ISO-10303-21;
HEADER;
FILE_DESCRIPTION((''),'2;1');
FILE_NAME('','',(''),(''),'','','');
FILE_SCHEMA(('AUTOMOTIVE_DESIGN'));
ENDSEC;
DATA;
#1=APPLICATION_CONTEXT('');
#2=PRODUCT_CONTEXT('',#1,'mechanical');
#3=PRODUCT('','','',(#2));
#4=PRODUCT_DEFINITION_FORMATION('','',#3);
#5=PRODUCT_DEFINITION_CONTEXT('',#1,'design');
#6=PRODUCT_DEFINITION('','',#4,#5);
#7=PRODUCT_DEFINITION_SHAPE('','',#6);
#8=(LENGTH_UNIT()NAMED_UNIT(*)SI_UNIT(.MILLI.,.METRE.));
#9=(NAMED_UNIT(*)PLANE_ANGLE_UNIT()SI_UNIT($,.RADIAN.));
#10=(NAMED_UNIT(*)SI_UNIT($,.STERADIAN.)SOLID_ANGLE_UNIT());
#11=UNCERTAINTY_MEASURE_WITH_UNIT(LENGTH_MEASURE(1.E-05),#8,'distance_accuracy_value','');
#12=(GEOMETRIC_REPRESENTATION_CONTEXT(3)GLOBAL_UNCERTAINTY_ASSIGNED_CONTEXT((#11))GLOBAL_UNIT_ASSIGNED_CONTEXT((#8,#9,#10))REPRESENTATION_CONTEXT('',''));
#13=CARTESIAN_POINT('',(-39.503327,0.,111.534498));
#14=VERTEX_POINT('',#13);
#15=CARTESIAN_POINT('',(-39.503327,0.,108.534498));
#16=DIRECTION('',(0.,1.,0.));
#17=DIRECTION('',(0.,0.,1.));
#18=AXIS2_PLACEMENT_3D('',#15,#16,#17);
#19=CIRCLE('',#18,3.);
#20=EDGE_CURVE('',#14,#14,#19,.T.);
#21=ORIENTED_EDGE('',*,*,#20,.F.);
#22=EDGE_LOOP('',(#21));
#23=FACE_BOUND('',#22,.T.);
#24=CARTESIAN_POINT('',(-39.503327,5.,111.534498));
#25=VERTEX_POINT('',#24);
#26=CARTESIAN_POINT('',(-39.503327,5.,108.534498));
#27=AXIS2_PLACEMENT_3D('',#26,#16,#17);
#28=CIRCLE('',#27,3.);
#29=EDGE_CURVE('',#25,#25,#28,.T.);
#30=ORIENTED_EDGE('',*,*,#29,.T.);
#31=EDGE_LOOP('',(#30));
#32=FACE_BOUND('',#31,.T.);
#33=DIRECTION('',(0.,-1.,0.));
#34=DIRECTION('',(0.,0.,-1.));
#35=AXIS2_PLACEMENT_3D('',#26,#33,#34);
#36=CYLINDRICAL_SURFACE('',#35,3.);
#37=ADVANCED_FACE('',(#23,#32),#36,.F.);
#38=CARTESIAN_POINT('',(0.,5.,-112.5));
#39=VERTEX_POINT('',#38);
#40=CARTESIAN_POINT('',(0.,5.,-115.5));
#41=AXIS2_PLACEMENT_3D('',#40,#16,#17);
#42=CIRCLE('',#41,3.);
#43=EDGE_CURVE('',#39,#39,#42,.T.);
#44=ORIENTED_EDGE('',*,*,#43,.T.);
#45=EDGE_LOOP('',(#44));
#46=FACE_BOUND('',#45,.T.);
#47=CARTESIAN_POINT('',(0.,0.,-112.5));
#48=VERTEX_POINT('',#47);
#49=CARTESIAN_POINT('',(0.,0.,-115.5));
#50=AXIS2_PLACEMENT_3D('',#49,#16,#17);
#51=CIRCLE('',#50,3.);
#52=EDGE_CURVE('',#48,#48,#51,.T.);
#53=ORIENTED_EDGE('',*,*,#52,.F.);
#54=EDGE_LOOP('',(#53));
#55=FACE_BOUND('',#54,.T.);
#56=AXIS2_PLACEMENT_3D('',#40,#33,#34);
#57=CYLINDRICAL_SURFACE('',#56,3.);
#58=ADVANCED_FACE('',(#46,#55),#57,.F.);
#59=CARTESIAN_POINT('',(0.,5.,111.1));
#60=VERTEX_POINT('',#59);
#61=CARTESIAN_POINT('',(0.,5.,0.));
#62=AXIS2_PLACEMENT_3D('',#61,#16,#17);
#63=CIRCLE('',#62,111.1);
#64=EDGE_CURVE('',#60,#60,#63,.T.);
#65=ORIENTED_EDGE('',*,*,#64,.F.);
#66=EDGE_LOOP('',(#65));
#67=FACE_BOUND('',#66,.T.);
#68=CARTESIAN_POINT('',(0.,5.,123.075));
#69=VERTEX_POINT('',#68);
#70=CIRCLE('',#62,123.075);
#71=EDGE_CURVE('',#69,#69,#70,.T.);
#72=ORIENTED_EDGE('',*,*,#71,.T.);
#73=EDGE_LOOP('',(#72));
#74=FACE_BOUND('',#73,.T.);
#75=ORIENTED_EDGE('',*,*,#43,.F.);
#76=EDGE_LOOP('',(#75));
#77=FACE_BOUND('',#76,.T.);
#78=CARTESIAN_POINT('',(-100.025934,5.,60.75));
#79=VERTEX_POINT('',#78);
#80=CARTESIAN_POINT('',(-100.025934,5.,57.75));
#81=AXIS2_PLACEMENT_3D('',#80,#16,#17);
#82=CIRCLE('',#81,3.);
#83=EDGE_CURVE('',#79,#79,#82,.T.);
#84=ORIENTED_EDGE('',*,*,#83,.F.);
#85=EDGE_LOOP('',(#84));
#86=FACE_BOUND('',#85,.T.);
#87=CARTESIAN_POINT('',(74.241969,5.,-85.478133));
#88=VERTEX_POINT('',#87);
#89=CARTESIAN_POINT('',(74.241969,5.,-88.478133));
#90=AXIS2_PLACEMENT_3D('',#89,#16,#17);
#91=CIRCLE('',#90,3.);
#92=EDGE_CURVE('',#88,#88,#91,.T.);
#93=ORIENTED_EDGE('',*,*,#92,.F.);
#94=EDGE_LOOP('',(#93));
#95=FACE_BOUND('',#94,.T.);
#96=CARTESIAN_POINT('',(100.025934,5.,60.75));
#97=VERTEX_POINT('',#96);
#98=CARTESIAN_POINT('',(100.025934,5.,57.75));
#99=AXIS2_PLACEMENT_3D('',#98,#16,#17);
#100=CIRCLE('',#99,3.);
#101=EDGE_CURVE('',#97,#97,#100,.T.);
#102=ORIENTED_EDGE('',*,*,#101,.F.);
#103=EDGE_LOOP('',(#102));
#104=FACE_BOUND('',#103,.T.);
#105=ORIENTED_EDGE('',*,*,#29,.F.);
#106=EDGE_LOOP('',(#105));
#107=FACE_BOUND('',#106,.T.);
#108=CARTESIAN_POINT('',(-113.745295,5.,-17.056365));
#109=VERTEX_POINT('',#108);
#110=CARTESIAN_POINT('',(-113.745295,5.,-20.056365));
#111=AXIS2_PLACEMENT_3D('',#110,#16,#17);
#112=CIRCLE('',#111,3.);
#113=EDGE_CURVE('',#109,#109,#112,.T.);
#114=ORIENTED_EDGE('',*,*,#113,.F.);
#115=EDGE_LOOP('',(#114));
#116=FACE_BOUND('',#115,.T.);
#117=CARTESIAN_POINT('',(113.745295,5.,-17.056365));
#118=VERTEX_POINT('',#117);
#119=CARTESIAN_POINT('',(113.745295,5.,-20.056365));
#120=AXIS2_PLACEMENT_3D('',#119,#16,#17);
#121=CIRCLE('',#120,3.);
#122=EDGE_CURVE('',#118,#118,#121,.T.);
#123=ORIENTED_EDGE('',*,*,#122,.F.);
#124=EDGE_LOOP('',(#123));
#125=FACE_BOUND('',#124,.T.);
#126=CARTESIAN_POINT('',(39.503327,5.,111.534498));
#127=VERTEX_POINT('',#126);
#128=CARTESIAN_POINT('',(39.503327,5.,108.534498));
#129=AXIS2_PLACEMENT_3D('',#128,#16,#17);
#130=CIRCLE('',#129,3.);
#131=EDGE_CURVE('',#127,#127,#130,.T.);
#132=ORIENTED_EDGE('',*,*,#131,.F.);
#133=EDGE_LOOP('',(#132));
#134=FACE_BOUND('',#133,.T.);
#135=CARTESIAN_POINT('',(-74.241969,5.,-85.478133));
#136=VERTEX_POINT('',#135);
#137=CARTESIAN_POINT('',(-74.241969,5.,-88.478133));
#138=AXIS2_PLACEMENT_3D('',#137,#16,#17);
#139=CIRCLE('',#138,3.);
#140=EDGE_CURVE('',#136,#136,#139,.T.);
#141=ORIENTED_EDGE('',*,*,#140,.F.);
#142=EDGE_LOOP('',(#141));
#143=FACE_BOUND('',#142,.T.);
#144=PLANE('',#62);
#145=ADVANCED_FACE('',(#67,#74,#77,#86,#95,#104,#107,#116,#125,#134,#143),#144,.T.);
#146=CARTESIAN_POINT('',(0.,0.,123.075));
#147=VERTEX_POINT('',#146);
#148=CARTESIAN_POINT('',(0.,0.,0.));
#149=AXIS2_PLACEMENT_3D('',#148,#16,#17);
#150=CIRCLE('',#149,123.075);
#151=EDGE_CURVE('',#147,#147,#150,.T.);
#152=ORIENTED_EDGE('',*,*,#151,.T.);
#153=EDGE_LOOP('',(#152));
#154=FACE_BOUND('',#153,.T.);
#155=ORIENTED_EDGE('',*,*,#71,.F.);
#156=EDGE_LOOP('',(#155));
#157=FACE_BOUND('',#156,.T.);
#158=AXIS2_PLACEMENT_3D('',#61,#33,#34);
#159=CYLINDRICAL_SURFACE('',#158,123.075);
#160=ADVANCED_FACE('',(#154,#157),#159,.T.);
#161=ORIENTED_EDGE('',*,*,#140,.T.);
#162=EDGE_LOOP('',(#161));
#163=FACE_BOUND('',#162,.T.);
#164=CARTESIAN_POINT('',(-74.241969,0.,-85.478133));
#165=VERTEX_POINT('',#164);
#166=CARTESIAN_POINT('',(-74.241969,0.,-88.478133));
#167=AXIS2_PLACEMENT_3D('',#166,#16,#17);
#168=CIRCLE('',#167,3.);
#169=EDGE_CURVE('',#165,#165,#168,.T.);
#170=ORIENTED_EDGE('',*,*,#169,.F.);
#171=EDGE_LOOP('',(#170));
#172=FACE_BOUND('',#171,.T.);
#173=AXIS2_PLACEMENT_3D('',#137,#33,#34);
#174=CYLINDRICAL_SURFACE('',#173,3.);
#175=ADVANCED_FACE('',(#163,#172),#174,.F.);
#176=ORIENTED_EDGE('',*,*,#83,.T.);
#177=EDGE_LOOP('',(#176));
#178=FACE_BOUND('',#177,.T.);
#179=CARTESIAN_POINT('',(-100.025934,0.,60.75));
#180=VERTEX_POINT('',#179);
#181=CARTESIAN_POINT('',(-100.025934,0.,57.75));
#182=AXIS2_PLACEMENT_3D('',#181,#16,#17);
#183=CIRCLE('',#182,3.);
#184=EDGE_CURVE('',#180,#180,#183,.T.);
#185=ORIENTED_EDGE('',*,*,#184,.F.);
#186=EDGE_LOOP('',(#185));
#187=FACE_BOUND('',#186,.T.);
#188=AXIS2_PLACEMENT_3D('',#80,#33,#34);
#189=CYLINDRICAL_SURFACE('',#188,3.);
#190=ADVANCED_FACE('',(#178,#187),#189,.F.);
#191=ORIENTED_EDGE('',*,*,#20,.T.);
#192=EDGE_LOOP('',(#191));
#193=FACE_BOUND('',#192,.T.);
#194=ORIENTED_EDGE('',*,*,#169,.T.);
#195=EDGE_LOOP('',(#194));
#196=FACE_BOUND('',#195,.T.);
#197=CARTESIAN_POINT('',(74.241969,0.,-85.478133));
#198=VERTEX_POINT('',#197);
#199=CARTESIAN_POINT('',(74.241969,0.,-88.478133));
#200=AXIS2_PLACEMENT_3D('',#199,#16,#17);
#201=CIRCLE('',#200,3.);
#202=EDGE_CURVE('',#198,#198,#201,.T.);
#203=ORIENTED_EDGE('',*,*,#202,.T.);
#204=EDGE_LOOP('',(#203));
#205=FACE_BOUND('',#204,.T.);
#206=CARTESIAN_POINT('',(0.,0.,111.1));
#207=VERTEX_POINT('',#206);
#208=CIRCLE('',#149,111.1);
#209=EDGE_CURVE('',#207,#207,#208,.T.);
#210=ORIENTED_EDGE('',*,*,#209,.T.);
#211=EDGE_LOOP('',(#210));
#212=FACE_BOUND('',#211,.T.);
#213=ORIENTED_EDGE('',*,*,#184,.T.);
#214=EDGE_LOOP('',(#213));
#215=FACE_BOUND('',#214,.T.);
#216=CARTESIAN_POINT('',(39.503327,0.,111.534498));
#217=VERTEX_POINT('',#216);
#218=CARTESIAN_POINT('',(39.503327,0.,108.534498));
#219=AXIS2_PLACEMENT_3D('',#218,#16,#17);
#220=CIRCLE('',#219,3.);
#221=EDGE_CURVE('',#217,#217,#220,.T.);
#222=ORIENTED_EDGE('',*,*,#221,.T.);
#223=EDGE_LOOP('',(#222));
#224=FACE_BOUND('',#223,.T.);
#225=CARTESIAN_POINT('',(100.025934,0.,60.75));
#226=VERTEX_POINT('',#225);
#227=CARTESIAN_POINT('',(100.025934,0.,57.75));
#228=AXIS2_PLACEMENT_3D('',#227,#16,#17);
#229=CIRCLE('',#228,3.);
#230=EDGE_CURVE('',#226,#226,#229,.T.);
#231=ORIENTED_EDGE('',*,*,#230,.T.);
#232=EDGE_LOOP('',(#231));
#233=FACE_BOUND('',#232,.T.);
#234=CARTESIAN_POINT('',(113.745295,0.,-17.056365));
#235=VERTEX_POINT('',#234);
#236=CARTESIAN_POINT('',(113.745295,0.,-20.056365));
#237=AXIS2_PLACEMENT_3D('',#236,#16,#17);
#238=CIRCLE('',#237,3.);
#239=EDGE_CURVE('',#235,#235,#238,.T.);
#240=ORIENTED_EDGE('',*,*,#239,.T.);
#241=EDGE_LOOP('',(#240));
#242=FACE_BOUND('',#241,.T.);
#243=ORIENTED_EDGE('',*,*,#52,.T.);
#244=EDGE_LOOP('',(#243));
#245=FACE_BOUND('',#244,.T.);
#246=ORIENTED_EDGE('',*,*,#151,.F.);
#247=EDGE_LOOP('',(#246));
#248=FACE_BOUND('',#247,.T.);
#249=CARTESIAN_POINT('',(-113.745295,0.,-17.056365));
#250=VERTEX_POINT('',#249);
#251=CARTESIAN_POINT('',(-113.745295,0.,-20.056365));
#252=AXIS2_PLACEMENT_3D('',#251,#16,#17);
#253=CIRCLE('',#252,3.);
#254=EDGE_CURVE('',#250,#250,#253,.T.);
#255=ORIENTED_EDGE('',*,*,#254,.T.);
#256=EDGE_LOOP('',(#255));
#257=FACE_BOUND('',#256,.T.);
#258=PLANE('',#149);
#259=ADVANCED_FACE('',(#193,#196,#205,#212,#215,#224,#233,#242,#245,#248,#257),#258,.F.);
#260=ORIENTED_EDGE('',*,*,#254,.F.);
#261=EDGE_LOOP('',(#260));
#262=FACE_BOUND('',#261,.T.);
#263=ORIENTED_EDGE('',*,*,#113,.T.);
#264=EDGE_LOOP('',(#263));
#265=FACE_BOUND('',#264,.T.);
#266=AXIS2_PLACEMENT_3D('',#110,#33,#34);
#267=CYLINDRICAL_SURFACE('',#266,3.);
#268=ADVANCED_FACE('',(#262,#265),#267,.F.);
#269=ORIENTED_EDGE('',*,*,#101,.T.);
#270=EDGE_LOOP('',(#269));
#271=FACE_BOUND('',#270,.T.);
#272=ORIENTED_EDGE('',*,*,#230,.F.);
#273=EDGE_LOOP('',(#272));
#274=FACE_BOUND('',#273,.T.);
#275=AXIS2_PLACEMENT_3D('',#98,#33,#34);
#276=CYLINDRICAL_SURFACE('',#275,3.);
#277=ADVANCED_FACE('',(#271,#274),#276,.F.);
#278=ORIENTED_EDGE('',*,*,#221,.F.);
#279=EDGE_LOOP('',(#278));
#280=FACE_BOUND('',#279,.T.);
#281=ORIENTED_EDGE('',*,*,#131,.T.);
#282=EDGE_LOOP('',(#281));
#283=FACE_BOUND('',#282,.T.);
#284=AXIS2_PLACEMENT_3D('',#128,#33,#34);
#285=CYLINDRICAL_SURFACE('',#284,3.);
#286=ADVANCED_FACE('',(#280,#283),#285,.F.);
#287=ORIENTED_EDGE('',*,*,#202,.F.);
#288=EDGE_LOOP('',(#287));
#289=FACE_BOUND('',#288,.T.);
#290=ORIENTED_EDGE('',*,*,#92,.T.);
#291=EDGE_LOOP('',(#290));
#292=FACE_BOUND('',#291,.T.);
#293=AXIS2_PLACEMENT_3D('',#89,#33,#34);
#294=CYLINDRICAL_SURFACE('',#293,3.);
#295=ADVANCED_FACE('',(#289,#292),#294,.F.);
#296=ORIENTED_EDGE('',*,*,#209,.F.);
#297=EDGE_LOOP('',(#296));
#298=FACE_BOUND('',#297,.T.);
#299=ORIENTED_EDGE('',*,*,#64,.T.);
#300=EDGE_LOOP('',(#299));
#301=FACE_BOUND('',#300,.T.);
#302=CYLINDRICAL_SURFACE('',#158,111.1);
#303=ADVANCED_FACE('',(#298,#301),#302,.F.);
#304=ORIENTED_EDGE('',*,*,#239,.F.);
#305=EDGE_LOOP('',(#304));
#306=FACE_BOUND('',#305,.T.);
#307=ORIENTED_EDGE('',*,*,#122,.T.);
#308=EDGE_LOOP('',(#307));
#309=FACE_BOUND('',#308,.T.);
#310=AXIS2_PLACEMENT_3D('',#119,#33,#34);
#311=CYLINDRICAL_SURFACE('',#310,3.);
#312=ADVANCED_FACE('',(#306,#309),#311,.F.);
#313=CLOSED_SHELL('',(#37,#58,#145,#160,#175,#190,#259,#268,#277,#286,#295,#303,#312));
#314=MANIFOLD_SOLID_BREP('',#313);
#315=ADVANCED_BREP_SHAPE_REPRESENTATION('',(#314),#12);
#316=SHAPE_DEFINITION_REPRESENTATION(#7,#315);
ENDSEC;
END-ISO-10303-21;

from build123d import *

# Parameters (mm, degrees)
ESQUISSE1_R        = 123.075
ESQUISSE1_R_2      = 111.1
ESQUISSE1_R_3      = 3
BOSS_EXTRU_1_DEPTH = 5


with BuildPart() as part:
    # Esquisse1 → Boss.-Extru.1 (new body)
    with BuildSketch(Plane(origin=(0, 0, 0), x_dir=(1, 0, 0), z_dir=(0, 1, 0))):
        with Locations(Location((0, 0, 0), (0, 0, 270))):  # turned: the seam where the file's is
            Circle(ESQUISSE1_R)
        with Locations(Location((0, 0, 0), (0, 0, 270))):  # turned: the seam where the file's is
            Circle(ESQUISSE1_R_2, mode=Mode.SUBTRACT)
        with Locations(Location((0, 115.5, 0), (0, 0, 270))):  # turned: the seam where the file's is
            Circle(ESQUISSE1_R_3, mode=Mode.SUBTRACT)
        with Locations(Location((74.241968919, 88.47813318, 0), (0, 0, 270))):  # turned: the seam where the file's is
            Circle(ESQUISSE1_R_3, mode=Mode.SUBTRACT)
        with Locations(Location((113.745295473, 20.056364521, 0), (0, 0, 270))):  # turned: the seam where the file's is
            Circle(ESQUISSE1_R_3, mode=Mode.SUBTRACT)
        with Locations(Location((100.025934137, -57.75, 0), (0, 0, 270))):  # turned: the seam where the file's is
            Circle(ESQUISSE1_R_3, mode=Mode.SUBTRACT)
        with Locations(Location((39.503326554, -108.534497701, 0), (0, 0, 270))):  # turned: the seam where the file's is
            Circle(ESQUISSE1_R_3, mode=Mode.SUBTRACT)
        with Locations(Location((-39.503326554, -108.534497701, 0), (0, 0, 270))):  # turned: the seam where the file's is
            Circle(ESQUISSE1_R_3, mode=Mode.SUBTRACT)
        with Locations(Location((-100.025934137, -57.75, 0), (0, 0, 270))):  # turned: the seam where the file's is
            Circle(ESQUISSE1_R_3, mode=Mode.SUBTRACT)
        with Locations(Location((-113.745295473, 20.056364521, 0), (0, 0, 270))):  # turned: the seam where the file's is
            Circle(ESQUISSE1_R_3, mode=Mode.SUBTRACT)
        with Locations(Location((-74.241968919, 88.47813318, 0), (0, 0, 270))):  # turned: the seam where the file's is
            Circle(ESQUISSE1_R_3, mode=Mode.SUBTRACT)
    extrude(amount=BOSS_EXTRU_1_DEPTH)


solid = part.part
